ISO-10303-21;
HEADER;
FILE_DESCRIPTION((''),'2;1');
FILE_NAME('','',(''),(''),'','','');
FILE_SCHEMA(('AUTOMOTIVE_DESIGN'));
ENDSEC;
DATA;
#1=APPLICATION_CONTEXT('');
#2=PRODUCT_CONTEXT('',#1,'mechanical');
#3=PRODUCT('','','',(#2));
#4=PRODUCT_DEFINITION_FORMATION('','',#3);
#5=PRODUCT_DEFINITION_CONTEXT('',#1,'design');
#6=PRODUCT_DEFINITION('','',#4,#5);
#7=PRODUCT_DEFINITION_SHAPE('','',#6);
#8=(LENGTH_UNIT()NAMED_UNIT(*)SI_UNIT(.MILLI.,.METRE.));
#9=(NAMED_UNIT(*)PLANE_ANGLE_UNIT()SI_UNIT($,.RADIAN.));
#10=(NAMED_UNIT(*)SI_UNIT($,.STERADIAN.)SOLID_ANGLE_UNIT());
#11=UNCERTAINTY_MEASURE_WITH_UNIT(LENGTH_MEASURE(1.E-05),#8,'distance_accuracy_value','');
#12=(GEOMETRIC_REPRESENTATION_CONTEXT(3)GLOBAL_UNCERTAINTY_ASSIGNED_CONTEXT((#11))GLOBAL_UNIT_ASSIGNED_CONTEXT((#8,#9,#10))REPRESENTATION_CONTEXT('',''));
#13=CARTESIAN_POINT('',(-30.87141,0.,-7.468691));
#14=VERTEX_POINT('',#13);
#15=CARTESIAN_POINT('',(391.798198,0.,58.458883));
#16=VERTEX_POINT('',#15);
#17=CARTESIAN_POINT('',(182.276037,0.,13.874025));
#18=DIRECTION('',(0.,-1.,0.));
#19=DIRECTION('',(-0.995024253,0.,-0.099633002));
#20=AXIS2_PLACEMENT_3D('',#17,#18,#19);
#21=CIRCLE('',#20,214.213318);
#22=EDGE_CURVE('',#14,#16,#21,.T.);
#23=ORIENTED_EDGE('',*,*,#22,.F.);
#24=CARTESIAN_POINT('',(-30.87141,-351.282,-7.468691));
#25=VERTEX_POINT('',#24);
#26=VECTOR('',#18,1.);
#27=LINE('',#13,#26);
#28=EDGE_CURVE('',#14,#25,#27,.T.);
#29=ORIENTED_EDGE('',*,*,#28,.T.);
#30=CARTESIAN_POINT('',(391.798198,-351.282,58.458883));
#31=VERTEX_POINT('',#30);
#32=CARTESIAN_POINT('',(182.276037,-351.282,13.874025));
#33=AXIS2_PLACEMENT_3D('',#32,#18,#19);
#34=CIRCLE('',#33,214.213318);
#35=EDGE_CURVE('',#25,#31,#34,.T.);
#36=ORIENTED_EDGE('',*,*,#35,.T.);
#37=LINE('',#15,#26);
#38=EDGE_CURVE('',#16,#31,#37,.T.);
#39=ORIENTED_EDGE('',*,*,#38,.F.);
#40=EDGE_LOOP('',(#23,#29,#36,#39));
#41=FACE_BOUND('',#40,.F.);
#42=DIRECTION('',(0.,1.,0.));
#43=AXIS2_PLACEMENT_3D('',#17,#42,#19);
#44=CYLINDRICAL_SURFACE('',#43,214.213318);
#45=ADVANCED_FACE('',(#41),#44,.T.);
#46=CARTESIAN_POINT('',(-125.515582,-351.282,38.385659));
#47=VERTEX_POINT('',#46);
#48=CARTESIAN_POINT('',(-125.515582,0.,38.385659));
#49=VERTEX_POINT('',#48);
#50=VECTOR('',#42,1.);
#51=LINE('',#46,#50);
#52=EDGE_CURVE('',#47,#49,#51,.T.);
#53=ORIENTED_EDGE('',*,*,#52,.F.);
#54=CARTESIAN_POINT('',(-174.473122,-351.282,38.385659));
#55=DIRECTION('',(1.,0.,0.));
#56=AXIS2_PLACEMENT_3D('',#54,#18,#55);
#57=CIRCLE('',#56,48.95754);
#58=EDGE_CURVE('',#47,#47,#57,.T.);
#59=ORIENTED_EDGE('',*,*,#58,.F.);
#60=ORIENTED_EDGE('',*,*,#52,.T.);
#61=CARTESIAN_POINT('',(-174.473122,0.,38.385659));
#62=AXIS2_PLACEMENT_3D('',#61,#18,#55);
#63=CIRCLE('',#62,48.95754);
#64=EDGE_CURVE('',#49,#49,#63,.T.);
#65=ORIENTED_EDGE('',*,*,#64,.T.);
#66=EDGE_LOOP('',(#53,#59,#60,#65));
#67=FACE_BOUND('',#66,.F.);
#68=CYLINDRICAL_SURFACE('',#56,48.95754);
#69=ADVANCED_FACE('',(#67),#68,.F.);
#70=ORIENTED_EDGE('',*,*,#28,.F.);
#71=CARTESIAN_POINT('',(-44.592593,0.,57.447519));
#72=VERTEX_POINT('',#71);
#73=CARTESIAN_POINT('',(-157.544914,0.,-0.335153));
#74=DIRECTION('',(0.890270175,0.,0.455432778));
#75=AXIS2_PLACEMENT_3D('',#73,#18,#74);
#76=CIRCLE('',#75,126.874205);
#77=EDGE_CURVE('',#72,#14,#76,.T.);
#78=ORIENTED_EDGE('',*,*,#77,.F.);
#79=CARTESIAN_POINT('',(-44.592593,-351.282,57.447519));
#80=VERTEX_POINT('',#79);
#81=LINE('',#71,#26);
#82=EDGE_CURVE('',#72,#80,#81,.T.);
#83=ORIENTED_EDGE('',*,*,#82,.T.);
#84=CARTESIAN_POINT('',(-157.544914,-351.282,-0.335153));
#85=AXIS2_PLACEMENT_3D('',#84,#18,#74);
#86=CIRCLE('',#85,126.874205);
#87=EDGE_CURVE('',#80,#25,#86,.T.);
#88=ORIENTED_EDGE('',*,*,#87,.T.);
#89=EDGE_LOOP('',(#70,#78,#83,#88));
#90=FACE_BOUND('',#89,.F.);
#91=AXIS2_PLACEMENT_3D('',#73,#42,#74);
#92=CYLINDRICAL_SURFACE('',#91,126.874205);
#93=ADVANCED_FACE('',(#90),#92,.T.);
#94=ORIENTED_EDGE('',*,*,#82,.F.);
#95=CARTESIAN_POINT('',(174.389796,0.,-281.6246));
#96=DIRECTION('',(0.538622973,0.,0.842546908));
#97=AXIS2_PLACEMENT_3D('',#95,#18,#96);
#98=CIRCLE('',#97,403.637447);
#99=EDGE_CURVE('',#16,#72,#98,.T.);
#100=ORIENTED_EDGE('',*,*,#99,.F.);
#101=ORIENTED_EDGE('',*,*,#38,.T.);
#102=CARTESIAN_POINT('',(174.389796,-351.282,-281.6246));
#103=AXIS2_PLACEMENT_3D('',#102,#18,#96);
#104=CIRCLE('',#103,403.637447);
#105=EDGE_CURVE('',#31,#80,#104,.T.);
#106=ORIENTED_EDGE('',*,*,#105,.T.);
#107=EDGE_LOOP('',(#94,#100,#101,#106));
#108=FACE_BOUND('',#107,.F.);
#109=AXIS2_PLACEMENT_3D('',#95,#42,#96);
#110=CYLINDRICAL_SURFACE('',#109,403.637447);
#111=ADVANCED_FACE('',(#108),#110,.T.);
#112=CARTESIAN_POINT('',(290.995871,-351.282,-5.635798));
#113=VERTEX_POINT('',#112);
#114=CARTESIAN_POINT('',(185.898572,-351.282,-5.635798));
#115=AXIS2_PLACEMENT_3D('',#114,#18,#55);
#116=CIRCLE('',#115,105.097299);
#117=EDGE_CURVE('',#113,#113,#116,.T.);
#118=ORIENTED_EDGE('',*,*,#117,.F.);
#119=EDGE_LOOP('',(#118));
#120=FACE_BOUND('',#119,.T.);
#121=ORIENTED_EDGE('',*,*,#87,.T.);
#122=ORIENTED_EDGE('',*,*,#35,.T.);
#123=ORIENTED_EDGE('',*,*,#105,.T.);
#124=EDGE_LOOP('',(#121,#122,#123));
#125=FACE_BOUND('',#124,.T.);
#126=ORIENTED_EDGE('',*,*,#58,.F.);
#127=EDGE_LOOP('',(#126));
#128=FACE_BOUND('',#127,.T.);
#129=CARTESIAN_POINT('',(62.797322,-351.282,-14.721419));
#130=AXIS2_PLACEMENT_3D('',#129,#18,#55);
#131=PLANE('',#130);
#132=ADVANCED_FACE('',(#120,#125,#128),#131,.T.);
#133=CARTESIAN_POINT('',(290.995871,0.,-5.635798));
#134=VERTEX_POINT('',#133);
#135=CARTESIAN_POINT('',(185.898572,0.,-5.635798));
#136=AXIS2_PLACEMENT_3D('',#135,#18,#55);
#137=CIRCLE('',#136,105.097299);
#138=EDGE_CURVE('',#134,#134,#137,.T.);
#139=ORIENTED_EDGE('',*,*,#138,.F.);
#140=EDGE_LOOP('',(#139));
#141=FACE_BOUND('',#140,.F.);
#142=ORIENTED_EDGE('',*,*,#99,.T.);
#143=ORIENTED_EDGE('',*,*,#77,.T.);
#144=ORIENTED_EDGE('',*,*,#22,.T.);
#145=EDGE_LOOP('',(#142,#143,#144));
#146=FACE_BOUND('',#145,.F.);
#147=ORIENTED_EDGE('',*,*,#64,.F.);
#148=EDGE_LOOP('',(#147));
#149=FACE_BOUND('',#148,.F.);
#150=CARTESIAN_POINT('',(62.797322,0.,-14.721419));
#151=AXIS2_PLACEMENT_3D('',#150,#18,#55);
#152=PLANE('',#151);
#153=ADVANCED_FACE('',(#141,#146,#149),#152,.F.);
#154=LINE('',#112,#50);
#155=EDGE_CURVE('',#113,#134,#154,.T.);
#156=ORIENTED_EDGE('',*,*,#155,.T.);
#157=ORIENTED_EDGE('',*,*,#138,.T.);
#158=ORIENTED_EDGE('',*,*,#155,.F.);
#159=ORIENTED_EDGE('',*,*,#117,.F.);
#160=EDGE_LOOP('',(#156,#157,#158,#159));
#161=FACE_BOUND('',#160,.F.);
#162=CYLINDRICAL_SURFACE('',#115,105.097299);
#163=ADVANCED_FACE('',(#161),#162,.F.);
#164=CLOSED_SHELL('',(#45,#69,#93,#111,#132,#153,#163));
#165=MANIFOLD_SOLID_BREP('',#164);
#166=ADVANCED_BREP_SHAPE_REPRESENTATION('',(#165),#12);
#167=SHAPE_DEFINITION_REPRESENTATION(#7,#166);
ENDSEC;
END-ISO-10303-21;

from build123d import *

# Parameters (mm, degrees)
F1_DEPTH = 351.282
F2_R     = 48.95754
F2_R_2   = 105.097299
F3_DEPTH = 1374.14


with BuildPart() as f1:
    # F0 (on Front) → F1 (new body)
    with BuildSketch(Plane.XZ):
        with BuildLine():
            ThreePointArc((391.798198, 58.458883), (173.454343, 122.011763), (-44.592593, 57.447519))
            ThreePointArc((-44.592593, 57.447519), (-281.676548, -26.572557), (-30.87141, -7.468691))
            ThreePointArc((-30.87141, -7.468691), (215.289624, -197.780053), (391.798198, 58.458883))
        make_face()
    extrude(amount=F1_DEPTH)

    # F2 (on face) → F3 (cut)
    with BuildSketch(Plane.XZ.offset(351.282)):
        with Locations((-174.473122, 38.385659)):
            Circle(F2_R)
        with Locations((185.898572, -5.635798)):
            Circle(F2_R_2)
    extrude(amount=-F3_DEPTH, mode=Mode.SUBTRACT)


solid = f1.part
